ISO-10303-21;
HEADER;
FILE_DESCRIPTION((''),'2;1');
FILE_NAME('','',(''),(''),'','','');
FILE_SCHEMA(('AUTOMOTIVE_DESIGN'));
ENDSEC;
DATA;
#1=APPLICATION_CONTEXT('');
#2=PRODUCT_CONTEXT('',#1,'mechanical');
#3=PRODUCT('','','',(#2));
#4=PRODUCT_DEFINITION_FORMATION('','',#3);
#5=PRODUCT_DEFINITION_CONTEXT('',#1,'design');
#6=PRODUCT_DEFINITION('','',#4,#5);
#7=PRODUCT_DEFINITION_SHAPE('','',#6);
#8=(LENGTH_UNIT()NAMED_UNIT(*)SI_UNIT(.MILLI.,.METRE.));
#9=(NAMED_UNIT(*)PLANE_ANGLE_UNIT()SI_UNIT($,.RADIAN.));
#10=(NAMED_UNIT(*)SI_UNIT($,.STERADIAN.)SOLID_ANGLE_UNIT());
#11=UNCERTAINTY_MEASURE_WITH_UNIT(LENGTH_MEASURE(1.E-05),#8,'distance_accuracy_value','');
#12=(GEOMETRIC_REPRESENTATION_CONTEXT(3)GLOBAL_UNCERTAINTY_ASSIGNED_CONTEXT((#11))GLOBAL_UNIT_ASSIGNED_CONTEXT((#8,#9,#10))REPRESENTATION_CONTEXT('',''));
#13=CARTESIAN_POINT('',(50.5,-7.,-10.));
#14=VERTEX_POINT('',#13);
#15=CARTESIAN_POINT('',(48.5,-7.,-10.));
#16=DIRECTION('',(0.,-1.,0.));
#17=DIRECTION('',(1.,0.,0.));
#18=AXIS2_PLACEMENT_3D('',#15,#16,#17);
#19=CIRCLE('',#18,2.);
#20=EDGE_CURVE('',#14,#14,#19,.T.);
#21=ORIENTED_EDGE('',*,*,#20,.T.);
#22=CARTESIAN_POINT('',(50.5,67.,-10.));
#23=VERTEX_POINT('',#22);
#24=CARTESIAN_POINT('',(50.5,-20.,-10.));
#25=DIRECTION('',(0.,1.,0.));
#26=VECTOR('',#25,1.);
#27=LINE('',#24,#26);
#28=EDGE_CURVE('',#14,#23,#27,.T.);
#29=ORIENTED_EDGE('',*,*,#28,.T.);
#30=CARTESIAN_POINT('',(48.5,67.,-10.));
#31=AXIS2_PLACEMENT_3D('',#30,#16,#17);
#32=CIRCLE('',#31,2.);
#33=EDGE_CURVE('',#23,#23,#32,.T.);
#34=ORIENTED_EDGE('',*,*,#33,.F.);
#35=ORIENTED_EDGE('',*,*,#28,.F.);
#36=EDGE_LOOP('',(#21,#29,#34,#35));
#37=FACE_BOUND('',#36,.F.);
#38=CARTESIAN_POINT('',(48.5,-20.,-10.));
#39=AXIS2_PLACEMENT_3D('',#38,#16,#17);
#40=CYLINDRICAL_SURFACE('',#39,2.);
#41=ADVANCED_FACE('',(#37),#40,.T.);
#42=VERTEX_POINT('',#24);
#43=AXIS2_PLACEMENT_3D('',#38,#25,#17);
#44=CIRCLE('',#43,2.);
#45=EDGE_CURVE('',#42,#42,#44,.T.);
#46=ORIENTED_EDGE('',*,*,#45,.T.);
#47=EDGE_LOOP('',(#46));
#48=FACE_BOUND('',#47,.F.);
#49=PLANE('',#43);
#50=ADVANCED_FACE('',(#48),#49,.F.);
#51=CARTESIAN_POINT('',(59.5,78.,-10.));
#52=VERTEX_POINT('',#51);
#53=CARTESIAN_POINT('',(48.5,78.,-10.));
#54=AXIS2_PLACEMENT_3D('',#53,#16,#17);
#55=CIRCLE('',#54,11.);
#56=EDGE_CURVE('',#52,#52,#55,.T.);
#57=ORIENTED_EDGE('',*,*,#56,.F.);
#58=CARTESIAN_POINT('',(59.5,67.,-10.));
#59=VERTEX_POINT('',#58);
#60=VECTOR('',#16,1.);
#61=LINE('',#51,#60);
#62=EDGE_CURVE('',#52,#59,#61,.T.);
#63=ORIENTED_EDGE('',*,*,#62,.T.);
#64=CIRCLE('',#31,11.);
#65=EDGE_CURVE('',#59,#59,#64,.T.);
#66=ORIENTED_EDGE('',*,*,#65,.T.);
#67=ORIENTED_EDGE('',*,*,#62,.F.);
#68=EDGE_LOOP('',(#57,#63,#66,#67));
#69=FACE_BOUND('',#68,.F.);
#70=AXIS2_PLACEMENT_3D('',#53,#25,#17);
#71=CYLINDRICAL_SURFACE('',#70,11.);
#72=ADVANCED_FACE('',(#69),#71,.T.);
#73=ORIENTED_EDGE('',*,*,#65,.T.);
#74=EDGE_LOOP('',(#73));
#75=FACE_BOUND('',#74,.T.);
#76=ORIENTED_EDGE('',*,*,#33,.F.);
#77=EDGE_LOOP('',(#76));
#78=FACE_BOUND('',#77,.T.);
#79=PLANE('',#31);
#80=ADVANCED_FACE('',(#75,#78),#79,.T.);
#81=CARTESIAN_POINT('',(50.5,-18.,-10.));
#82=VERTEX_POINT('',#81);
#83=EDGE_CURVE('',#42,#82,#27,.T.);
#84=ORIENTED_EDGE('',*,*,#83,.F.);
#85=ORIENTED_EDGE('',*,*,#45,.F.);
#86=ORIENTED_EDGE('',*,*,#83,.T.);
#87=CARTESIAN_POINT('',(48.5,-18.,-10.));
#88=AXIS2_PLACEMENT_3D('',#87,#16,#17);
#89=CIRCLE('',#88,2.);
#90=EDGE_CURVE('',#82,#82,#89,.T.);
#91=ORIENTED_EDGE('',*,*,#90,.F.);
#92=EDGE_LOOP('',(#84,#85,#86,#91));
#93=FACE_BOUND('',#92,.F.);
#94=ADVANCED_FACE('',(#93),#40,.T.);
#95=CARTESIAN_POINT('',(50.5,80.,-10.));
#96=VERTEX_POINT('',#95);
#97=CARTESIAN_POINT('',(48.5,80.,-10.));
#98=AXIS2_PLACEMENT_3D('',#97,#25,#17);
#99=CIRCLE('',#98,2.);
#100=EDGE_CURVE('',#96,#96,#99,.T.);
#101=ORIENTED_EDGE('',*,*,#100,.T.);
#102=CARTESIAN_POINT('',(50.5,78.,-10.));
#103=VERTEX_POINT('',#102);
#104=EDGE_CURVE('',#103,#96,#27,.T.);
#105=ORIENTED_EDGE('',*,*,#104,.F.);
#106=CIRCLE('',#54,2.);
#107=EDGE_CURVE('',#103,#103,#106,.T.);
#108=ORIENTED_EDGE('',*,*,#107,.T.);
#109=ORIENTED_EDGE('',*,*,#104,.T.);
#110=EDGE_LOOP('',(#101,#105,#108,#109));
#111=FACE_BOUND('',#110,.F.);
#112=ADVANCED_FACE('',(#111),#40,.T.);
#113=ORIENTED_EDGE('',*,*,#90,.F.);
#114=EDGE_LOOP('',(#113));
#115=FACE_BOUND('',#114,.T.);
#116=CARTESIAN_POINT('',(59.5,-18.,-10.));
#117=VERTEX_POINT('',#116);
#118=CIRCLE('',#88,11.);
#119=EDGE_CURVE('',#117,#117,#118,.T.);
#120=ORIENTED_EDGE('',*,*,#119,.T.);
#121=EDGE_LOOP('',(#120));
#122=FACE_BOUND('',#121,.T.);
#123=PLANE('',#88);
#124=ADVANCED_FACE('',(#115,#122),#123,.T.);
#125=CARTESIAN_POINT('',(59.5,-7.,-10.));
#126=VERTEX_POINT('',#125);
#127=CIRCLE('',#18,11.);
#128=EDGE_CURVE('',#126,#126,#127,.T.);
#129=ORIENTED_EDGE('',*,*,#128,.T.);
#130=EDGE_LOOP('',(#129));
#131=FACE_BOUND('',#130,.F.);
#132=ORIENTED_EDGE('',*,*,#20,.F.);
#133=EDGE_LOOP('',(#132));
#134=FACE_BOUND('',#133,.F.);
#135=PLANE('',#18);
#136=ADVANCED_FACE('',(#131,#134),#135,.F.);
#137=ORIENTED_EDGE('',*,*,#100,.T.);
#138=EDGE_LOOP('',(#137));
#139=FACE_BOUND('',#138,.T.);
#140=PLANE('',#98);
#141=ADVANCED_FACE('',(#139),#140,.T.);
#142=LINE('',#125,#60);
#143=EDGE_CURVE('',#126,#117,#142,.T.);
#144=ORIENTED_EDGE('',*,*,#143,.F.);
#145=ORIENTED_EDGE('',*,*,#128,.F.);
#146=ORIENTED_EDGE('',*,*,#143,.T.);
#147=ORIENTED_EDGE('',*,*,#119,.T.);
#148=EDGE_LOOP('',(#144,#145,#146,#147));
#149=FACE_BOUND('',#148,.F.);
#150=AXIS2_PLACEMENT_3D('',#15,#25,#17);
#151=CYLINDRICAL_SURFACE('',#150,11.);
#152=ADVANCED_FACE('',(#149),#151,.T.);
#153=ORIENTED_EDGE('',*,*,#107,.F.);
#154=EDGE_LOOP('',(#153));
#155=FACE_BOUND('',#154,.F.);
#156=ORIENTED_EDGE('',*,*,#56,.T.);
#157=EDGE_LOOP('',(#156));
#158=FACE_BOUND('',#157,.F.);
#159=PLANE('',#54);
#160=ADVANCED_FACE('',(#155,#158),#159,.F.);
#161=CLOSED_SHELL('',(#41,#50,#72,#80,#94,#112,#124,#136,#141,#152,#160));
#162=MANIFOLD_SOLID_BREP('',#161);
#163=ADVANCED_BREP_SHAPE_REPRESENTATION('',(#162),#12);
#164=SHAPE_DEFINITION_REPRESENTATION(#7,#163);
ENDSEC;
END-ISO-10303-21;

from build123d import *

# Parameters (mm, degrees)
CYLINDER002001001002_R             = 11
CYLINDER002001001002_DEPTH         = 11
CYLINDER002001001002_ROLL_ANGLE    = 90
CYLINDER002001001002001_R          = 11
CYLINDER002001001002001_DEPTH      = 11
CYLINDER002001001002001_ROLL_ANGLE = 90
CYLINDER002001002001_R             = 2
CYLINDER002001002001_DEPTH         = 100
CYLINDER002001002001_ROLL_ANGLE    = -90


with BuildPart() as wheel006:
    # Cylinder002001001002 → Cylinder002001001002 (new body)
    with BuildSketch(Plane.XY):
        Circle(CYLINDER002001001002_R)
    extrude(amount=CYLINDER002001001002_DEPTH)


with BuildPart() as wheel006_1:
    # Cylinder002001001002 roll: moved
    add(wheel006.part.rotate(Axis((0, 0, 0), (1, 0, 0)), CYLINDER002001001002_ROLL_ANGLE))


with BuildPart() as wheel006_2:
    # Cylinder002001001002 placement: moved
    add(wheel006_1.part.moved(Location((20, 78, 14))))


with BuildPart() as wheel007:
    # Cylinder002001001002001 → Cylinder002001001002001 (new body)
    with BuildSketch(Plane.XY):
        Circle(CYLINDER002001001002001_R)
    extrude(amount=CYLINDER002001001002001_DEPTH)


with BuildPart() as wheel007_1:
    # Cylinder002001001002001 roll: moved
    add(wheel007.part.rotate(Axis((0, 0, 0), (1, 0, 0)), CYLINDER002001001002001_ROLL_ANGLE))


with BuildPart() as wheel007_2:
    # Cylinder002001001002001 placement: moved
    add(wheel007_1.part.moved(Location((20, -7, 14))))


with BuildPart() as swheelset1:
    # Cylinder002001002001 → Cylinder002001002001 (new body)
    with BuildSketch(Plane.XY):
        Circle(CYLINDER002001002001_R)
    extrude(amount=CYLINDER002001002001_DEPTH)


with BuildPart() as swheelset1_1:
    # Cylinder002001002001 roll: moved
    add(swheelset1.part.rotate(Axis((0, 0, 0), (1, 0, 0)), CYLINDER002001002001_ROLL_ANGLE))


with BuildPart() as swheelset1_2:
    # Cylinder002001002001 placement: moved
    add(swheelset1_1.part.moved(Location((20, -20, 14))))

    # Fusion002001002002002: union Wheel006, Wheel007
    add(wheel006_2.part)
    add(wheel007_2.part)


with BuildPart() as swheelset1_3:
    # Fusion002001002002002 placement: moved
    add(swheelset1_2.part.moved(Location((28.5, 0, -24))))


solid = swheelset1_3.part
